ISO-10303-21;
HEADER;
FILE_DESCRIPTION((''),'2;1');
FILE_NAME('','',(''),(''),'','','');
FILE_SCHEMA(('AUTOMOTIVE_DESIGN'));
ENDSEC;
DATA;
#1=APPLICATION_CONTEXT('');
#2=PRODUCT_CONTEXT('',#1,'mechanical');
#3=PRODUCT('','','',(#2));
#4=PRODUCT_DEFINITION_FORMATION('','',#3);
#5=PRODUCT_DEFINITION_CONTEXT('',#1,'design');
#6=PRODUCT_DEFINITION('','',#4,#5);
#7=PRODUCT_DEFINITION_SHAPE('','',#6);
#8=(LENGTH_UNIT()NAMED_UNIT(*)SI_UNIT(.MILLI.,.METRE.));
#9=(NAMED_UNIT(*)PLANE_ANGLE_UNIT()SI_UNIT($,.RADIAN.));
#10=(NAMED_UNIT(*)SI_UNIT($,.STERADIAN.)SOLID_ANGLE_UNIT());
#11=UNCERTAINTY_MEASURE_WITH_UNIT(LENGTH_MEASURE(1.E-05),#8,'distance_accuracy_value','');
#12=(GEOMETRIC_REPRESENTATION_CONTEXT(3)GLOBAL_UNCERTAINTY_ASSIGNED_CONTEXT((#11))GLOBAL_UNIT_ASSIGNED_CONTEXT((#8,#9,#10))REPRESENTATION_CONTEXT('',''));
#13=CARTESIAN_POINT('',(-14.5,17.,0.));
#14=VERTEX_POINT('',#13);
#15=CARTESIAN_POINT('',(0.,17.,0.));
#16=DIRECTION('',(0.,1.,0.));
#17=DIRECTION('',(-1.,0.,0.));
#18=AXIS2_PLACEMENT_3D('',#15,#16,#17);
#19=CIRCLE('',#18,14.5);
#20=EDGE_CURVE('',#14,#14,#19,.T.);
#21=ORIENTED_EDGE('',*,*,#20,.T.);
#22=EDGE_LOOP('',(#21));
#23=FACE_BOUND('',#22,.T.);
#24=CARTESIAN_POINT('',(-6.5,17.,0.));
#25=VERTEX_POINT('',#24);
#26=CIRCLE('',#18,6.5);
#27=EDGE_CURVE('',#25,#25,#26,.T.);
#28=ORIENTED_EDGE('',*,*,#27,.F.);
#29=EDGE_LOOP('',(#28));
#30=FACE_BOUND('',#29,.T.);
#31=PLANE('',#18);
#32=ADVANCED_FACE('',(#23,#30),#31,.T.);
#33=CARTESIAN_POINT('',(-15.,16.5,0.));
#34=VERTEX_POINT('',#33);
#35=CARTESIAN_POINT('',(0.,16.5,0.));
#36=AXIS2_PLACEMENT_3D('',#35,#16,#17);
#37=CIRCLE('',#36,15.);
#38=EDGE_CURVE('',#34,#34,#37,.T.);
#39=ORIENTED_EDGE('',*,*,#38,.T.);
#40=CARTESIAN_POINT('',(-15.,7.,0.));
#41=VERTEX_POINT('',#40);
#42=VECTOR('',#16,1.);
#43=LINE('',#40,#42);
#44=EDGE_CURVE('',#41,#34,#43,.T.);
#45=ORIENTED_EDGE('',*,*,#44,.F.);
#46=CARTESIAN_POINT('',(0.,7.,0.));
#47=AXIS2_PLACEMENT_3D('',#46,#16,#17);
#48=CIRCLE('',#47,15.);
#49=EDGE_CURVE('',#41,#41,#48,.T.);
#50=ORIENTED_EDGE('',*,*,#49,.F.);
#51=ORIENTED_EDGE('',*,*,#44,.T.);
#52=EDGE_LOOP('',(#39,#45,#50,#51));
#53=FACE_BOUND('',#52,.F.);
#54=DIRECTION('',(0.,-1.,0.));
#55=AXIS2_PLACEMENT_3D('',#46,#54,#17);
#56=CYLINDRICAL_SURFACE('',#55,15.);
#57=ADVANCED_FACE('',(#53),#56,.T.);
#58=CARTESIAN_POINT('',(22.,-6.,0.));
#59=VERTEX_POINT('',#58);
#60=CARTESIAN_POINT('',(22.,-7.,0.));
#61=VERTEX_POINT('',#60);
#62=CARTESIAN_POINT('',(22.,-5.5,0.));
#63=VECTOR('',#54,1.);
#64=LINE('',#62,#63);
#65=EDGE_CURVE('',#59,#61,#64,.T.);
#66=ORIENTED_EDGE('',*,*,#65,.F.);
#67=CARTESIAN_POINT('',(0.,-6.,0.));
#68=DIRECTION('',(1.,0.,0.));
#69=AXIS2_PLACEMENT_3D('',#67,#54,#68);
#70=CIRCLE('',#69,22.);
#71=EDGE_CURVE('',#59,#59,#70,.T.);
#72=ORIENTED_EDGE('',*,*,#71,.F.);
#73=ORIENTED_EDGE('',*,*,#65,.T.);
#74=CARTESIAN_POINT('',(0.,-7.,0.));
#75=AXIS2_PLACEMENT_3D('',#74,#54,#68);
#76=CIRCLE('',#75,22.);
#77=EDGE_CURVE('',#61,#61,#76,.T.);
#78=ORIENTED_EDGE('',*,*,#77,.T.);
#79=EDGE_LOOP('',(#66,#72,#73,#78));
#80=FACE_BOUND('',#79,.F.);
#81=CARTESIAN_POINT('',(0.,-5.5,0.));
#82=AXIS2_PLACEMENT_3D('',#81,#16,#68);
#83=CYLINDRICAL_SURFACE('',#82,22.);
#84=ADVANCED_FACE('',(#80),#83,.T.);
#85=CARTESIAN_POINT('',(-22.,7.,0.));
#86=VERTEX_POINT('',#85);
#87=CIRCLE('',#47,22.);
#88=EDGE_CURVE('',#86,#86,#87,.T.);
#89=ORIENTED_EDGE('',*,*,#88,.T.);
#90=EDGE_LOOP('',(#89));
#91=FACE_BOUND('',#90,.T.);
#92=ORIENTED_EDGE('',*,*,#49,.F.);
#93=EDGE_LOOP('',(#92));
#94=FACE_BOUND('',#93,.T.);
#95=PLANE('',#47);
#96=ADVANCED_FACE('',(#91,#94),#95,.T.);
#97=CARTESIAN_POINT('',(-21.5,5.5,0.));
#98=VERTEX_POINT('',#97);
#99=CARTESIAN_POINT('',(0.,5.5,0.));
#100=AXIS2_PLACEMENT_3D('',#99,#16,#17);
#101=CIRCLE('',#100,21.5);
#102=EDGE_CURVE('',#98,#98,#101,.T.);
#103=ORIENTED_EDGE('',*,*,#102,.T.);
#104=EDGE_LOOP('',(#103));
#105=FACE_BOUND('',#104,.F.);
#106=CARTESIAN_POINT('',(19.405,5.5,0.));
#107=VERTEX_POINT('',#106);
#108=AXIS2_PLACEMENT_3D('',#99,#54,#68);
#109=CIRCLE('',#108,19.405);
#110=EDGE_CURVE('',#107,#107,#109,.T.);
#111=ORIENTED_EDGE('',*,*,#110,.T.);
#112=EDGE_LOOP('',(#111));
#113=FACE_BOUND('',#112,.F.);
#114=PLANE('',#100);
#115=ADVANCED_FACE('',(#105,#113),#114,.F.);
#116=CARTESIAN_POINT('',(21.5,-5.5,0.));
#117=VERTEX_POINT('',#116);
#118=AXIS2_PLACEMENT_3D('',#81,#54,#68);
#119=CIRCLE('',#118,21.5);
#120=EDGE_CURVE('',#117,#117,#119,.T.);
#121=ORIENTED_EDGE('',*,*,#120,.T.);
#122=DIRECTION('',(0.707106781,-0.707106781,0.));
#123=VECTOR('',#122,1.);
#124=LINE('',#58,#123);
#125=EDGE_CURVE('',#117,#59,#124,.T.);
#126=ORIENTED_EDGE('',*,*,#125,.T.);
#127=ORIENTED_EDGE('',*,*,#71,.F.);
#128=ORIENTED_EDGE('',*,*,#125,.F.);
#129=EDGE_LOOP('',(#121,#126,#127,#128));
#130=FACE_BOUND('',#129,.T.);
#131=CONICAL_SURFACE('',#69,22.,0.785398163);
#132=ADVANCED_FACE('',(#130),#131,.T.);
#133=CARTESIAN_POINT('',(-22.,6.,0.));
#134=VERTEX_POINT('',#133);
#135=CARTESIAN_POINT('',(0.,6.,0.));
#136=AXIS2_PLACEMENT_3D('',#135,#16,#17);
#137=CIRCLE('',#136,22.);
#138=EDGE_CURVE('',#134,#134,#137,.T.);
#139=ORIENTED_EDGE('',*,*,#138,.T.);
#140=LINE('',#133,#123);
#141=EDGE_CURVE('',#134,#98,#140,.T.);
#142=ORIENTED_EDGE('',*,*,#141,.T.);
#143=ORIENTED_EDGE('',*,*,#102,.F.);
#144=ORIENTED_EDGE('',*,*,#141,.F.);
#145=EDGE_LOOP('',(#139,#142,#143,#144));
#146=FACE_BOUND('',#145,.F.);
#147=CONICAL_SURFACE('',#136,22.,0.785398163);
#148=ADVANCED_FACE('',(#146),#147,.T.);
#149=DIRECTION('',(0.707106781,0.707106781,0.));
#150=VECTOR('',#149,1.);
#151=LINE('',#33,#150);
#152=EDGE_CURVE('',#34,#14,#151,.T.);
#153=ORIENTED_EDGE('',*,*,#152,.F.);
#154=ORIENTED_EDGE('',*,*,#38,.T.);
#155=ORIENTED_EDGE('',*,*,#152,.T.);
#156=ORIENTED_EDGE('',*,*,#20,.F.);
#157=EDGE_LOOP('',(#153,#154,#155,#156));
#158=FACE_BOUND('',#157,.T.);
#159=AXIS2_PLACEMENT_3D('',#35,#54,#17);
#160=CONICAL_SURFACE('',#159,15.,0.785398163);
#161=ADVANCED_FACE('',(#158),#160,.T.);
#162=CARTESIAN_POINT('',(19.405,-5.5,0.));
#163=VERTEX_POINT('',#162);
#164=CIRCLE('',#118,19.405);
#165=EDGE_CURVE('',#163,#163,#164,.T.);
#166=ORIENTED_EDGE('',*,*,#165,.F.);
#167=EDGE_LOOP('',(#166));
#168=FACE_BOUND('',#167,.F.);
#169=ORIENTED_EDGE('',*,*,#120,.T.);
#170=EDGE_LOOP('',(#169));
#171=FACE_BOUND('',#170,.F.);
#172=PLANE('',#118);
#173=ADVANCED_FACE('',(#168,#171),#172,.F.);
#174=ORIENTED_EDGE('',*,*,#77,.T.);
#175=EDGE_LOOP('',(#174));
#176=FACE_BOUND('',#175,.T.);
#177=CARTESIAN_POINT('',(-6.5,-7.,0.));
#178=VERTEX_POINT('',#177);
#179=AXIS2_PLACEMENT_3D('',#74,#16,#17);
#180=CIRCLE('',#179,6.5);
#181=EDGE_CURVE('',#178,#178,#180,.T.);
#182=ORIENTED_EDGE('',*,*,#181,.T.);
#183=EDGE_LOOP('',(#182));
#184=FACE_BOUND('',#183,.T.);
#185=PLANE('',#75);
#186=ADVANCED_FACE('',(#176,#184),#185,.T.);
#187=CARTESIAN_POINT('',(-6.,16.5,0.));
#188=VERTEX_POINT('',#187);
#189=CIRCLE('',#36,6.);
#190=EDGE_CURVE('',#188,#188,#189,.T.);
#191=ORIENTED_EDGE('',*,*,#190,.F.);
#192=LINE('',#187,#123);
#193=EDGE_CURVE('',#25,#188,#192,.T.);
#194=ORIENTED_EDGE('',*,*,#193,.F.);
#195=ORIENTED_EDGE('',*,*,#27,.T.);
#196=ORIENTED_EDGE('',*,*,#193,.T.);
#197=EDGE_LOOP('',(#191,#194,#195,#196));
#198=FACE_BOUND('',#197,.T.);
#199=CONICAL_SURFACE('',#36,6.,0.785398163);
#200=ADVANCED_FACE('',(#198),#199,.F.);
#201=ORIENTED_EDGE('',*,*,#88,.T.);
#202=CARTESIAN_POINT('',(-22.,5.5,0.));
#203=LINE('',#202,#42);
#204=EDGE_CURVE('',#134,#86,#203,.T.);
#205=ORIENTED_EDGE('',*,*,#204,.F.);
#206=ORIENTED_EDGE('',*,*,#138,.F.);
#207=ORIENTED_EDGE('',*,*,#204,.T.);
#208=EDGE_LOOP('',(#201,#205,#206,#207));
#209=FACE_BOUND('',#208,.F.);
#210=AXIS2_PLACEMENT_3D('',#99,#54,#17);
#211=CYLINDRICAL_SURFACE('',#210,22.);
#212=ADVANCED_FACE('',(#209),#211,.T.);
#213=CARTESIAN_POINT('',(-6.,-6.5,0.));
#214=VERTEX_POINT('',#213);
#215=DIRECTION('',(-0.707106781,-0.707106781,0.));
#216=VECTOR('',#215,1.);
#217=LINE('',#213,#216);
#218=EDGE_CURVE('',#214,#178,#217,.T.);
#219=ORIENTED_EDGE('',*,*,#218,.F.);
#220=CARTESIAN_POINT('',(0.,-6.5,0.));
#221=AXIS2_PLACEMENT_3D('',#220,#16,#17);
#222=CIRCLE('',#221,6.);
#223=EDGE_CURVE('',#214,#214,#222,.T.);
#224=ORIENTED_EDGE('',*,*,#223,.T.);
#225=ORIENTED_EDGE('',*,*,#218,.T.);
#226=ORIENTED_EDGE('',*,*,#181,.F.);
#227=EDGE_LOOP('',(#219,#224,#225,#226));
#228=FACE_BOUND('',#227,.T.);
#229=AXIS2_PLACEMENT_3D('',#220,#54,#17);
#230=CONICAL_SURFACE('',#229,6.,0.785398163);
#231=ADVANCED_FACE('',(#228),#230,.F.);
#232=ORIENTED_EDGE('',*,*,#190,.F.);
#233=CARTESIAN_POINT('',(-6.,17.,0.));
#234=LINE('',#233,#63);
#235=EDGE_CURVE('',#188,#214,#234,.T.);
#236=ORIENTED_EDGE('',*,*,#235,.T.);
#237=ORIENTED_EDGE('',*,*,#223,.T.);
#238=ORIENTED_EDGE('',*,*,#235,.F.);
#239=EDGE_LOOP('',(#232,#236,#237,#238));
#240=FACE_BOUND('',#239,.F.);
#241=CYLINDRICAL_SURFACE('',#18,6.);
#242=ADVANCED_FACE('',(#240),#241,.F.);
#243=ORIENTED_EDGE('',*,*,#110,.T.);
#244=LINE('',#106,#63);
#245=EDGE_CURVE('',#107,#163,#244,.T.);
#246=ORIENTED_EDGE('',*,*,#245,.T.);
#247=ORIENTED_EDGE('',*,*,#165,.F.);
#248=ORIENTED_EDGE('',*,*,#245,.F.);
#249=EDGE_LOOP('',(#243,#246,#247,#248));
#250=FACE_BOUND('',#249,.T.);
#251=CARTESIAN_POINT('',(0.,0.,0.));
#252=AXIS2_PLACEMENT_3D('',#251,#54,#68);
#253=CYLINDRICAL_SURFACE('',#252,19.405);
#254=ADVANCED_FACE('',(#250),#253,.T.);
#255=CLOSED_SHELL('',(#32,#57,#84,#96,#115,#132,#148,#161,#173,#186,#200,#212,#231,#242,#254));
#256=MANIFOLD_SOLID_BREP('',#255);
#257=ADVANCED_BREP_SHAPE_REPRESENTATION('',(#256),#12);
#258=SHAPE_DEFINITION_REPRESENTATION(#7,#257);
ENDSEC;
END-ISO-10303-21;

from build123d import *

# Parameters (mm, degrees)
F0_R     = 19.405
F1_DEPTH = 5.5
F2_R     = 22
F3_DEPTH = 1.5
F4_R     = 22
F5_DEPTH = 1.5
F6_R     = 15
F7_DEPTH = 10
F8_R     = 6
F9_DEPTH = 24.001
F10_SIZE = 0.5


with BuildPart() as f1:
    # F0 (on Front) → F1 (new body, symmetric)
    with BuildSketch(Plane.XZ):
        Circle(F0_R)
    extrude(amount=F1_DEPTH, both=True)

    # F2 (on face) → F3 (join)
    with BuildSketch(Plane.XZ.offset(5.5)):
        Circle(F2_R)
    extrude(amount=F3_DEPTH)

    # F4 (on face) → F5 (join)
    with BuildSketch(Plane(origin=(0, 5.5, 0), x_dir=(-1, 0, 0), z_dir=(0, 1, 0))):
        Circle(F4_R)
    extrude(amount=F5_DEPTH)

    # F6 (on face) → F7 (join)
    with BuildSketch(Plane(origin=(0, 7, 0), x_dir=(-1, 0, 0), z_dir=(0, 1, 0))):
        Circle(F6_R)
    extrude(amount=F7_DEPTH)

    # F8 (on face) → F9 (cut, through all)
    with BuildSketch(Plane(origin=(0, 17, 0), x_dir=(-1, 0, 0), z_dir=(0, 1, 0))):
        Circle(F8_R)
    extrude(amount=-F9_DEPTH, mode=Mode.SUBTRACT)

    # F10
    f10_edges = [f1.edges().sort_by_distance(p)[0] for p in [
        (6, -7, 0),
        (6, 17, 0),
        (-22, -5.5, 0),
        (22, 5.5, 0),
        (15, 17, 0),
    ]]
    chamfer(f10_edges, length=F10_SIZE)


solid = f1.part
